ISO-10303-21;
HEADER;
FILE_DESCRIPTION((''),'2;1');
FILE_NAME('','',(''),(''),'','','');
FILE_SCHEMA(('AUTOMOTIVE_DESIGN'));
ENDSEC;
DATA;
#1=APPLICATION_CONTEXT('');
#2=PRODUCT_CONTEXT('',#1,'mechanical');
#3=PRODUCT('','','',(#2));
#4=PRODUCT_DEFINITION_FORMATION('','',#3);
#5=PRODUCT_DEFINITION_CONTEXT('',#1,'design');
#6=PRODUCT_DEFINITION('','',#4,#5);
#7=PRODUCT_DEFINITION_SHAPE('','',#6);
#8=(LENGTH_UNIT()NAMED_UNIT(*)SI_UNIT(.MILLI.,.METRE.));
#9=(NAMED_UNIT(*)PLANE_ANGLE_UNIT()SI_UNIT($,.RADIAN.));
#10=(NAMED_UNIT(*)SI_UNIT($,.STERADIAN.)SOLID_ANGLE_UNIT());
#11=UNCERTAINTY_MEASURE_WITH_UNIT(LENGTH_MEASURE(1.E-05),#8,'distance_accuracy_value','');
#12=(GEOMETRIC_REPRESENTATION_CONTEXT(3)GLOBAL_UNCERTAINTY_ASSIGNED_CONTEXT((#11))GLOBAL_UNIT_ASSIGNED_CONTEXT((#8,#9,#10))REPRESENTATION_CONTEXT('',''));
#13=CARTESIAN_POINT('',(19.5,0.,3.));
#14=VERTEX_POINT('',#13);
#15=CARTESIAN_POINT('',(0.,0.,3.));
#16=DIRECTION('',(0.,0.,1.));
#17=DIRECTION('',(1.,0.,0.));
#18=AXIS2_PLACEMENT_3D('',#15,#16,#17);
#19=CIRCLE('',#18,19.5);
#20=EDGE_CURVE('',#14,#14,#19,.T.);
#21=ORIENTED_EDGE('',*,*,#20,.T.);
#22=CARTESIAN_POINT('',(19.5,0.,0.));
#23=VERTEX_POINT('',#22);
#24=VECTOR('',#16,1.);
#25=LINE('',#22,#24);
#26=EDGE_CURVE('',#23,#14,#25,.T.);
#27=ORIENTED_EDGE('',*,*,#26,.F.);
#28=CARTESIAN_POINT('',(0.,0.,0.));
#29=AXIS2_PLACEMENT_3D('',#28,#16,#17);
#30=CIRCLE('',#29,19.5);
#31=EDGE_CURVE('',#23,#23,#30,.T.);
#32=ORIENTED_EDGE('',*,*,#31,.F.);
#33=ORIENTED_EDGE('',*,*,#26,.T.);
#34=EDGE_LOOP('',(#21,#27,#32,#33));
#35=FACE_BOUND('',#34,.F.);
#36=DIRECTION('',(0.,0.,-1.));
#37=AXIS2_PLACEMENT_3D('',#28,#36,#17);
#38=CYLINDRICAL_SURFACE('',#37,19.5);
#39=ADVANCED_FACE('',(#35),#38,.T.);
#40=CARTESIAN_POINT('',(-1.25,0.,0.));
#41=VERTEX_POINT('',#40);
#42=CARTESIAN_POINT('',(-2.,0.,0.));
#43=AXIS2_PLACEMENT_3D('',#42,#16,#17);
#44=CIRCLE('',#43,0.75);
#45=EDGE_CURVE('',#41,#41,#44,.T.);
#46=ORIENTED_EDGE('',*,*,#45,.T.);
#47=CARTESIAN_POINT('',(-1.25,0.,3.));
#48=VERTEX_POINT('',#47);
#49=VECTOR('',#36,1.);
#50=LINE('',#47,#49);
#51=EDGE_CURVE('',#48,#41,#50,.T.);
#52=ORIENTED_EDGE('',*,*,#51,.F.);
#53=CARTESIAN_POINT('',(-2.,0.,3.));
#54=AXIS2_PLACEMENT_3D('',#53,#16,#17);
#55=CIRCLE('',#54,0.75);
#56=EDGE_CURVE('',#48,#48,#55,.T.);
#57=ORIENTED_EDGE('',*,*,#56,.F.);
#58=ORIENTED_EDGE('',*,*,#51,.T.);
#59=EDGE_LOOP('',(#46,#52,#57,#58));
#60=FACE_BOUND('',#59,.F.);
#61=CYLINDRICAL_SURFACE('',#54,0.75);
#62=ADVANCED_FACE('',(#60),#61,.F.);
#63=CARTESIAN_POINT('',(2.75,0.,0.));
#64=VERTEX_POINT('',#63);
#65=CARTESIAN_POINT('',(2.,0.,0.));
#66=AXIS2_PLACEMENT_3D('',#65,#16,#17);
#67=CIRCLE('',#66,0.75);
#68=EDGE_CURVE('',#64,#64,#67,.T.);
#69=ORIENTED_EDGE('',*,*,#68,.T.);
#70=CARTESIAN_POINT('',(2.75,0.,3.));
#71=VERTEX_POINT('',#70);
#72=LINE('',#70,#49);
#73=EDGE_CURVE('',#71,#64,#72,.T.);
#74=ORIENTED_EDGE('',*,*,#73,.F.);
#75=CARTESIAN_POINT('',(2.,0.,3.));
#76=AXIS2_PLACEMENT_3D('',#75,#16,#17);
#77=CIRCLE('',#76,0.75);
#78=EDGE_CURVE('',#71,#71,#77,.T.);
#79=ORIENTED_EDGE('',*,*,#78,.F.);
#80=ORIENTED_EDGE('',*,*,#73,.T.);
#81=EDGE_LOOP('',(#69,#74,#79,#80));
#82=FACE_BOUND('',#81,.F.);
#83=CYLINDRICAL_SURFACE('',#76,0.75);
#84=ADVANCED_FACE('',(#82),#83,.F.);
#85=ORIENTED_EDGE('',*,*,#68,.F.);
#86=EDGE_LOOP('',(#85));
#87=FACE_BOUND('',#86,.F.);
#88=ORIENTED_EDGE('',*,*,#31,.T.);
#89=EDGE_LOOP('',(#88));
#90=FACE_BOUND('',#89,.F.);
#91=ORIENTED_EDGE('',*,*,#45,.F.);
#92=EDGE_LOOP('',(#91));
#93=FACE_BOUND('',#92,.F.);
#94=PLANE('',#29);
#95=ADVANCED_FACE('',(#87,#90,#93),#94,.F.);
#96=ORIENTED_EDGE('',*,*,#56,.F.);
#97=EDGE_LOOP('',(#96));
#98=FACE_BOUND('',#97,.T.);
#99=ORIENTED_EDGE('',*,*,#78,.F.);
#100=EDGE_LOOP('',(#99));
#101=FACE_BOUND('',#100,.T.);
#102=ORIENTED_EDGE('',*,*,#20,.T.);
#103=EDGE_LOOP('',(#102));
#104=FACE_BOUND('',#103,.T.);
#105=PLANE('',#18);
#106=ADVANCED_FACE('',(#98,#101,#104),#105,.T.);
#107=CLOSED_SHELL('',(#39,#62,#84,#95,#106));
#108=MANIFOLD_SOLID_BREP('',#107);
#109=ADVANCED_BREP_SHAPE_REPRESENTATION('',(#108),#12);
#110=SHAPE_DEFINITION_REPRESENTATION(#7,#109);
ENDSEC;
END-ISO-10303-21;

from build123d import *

# Parameters (mm, degrees)
F0_R     = 19.5
F1_DEPTH = 3
F2_R     = 0.75
F3_DEPTH = 25


with BuildPart() as f1:
    # F0 (on Top) → F1 (new body)
    with BuildSketch(Plane.XY):
        Circle(F0_R)
    extrude(amount=F1_DEPTH)

    # F2 (on face) → F3 (cut)
    with BuildSketch(Plane.XY.offset(3)):
        with Locations((2, 0)):
            Circle(F2_R)
        with Locations((-2, 0)):
            Circle(F2_R)
    extrude(amount=-F3_DEPTH, mode=Mode.SUBTRACT)


solid = f1.part
